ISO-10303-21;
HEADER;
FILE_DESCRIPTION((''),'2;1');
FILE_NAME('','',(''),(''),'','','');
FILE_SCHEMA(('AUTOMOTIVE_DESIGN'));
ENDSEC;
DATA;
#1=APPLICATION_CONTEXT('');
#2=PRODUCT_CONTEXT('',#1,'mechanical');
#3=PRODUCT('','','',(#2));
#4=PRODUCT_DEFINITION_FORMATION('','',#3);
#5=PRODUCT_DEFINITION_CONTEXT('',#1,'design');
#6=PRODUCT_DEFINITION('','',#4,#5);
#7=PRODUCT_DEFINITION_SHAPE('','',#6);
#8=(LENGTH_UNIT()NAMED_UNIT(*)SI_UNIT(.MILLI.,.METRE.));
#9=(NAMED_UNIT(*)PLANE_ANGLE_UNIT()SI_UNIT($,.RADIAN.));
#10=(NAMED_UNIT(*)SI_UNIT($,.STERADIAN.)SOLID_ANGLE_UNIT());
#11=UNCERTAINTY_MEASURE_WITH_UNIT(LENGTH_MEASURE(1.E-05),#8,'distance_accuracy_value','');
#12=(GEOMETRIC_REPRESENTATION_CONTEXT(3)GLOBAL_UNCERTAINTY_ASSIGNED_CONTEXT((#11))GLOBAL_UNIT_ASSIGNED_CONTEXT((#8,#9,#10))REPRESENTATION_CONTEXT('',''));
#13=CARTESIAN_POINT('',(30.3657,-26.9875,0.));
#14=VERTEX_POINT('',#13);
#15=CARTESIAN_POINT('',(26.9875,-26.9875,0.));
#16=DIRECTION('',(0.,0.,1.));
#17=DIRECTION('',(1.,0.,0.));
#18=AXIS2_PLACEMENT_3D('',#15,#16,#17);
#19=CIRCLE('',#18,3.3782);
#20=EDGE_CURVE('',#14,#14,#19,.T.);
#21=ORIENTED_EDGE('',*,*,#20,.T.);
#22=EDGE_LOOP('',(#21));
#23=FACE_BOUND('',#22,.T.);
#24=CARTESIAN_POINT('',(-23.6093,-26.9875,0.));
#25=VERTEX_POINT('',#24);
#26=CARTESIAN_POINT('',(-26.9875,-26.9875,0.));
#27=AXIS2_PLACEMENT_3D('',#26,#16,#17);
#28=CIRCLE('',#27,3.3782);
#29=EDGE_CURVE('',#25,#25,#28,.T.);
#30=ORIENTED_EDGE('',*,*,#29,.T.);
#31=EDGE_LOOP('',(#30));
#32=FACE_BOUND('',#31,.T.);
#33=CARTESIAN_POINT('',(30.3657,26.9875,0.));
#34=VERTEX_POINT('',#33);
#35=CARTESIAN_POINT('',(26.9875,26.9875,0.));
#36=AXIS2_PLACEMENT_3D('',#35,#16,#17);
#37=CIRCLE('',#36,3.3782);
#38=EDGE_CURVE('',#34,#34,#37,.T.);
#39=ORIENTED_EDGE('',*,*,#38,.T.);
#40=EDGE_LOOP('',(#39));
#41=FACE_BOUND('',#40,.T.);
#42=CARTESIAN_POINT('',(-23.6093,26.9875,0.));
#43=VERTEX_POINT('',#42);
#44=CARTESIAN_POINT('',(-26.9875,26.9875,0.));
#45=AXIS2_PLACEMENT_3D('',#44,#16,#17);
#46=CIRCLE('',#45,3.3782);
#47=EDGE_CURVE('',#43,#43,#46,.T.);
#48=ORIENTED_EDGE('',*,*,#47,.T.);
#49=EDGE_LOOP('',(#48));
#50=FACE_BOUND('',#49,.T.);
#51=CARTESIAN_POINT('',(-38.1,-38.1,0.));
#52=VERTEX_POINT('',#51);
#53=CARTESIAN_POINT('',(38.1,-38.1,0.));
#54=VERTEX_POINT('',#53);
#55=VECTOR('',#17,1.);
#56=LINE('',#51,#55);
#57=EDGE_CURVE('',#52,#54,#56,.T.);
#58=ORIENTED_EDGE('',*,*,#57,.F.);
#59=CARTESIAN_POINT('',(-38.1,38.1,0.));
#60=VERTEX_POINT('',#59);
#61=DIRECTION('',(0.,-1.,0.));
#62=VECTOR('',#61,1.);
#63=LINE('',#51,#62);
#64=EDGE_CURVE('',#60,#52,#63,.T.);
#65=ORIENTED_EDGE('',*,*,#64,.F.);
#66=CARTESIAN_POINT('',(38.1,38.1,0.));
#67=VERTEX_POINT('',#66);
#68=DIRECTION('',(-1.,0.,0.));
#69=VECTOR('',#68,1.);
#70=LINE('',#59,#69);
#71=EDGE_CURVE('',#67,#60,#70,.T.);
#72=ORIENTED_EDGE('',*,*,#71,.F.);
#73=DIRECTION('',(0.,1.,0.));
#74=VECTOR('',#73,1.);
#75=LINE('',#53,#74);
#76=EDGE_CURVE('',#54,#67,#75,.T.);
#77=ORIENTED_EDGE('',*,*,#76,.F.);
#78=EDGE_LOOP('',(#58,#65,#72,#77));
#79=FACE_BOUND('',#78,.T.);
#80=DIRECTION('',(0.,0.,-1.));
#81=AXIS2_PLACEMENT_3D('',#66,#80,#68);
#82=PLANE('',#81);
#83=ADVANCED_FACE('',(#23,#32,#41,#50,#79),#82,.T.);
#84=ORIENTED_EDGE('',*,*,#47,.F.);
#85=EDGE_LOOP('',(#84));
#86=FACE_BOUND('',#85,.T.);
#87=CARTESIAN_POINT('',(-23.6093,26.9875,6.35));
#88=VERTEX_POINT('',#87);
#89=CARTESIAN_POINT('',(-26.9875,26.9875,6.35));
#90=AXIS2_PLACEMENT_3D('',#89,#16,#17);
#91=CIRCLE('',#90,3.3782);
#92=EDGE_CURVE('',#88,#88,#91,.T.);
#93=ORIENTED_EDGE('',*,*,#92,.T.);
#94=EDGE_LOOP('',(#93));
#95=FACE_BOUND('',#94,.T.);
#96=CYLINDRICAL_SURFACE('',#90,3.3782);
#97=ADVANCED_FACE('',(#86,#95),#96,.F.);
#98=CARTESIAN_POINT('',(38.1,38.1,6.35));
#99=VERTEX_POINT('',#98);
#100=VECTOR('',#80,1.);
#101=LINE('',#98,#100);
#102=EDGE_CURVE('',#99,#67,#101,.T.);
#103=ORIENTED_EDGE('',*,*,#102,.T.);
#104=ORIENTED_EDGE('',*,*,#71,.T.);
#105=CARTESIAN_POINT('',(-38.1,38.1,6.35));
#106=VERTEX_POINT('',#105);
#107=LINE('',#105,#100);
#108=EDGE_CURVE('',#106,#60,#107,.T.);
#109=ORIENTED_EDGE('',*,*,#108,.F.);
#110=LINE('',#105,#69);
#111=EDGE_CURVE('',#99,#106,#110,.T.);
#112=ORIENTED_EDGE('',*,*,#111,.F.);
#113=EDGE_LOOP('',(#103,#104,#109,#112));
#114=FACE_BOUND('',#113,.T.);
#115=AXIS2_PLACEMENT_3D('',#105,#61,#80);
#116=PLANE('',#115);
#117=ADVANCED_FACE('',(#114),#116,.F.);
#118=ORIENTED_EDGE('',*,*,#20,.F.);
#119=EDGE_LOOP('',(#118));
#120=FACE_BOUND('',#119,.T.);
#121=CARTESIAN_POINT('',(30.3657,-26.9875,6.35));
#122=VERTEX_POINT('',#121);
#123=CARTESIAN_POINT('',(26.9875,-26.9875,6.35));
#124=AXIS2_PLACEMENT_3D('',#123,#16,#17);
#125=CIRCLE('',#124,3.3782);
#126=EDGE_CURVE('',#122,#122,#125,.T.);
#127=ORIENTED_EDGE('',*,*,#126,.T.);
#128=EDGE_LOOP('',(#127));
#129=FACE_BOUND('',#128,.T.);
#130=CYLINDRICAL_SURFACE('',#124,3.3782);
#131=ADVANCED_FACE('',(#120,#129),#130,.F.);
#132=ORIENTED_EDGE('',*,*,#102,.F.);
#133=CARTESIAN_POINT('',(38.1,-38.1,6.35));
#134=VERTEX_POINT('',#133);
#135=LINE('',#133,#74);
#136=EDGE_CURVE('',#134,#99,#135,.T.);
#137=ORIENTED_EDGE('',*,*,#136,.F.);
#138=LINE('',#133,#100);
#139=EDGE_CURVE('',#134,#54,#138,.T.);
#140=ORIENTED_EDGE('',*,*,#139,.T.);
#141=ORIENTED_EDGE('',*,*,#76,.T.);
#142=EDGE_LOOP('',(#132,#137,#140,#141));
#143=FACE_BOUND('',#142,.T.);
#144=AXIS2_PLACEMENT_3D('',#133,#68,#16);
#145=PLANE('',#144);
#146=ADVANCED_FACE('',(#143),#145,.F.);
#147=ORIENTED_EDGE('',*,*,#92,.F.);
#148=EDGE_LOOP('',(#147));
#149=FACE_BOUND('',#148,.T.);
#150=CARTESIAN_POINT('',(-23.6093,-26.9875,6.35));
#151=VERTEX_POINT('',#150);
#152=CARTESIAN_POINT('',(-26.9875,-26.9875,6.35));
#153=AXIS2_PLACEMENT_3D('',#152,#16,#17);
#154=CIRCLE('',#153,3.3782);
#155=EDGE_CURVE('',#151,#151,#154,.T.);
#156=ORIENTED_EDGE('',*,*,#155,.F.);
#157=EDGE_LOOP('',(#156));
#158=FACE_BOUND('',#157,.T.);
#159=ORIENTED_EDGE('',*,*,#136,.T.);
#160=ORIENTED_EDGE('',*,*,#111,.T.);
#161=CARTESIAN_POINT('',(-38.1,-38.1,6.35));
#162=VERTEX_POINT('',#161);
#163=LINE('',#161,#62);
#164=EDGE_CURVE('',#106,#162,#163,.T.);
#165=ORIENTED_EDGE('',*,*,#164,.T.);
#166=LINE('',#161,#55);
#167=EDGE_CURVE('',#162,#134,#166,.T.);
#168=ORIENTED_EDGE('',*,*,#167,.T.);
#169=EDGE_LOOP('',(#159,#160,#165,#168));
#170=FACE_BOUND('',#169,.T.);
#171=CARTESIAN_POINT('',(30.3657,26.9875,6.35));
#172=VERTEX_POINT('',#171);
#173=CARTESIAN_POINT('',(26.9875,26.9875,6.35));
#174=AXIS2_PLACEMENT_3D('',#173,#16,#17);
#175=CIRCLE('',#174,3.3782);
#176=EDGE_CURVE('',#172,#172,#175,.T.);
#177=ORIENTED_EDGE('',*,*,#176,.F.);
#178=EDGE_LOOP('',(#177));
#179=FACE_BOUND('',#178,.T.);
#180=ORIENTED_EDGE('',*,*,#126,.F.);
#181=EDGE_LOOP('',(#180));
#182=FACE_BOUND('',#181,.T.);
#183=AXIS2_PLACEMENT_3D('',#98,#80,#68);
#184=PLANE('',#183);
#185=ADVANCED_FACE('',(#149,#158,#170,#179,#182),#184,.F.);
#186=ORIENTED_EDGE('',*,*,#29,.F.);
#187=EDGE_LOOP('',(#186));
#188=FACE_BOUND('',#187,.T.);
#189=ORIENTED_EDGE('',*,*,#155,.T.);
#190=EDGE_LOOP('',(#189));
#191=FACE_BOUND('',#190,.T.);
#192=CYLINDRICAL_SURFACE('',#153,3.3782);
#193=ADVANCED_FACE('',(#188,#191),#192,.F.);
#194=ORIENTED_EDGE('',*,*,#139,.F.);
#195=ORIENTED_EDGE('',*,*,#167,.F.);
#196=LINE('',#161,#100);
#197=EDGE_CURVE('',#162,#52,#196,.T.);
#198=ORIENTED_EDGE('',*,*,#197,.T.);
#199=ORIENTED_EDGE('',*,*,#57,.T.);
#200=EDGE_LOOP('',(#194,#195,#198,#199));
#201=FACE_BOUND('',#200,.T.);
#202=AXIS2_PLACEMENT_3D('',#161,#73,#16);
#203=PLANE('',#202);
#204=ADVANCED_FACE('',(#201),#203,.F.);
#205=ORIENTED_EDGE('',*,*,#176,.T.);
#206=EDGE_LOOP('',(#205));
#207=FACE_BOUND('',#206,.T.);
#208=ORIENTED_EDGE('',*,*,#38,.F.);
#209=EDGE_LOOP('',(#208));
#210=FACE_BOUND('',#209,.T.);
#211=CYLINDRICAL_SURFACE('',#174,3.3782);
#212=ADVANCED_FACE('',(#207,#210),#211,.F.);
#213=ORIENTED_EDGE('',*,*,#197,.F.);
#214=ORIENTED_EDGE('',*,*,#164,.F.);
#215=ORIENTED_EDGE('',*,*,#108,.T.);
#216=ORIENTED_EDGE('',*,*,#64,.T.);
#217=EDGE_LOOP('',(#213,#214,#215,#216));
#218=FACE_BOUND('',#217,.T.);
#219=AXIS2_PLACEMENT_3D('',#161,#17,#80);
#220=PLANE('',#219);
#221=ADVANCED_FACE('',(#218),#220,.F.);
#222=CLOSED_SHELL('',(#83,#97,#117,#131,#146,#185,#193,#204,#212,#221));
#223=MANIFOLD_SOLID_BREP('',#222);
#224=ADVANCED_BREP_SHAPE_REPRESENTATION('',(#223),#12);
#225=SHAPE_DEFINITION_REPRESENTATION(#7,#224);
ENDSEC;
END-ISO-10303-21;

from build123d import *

# Parameters (mm, degrees)
SKETCH1_W               = 76.2
SKETCH1_H               = 76.2
EXTRUDE1_DEPTH          = 6.35
F_1_4_CLEARANCE_HOLE1_D = 6.7564


with BuildPart() as part:
    # Sketch1 → Extrude1 (new body)
    with BuildSketch(Plane.XY):
        Rectangle(SKETCH1_W, SKETCH1_H)
    extrude(amount=EXTRUDE1_DEPTH)

    # 1/4 Clearance Hole1 (through all)
    with Locations(Plane.XY.offset(6.35)):
        with Locations((-26.9875, 26.9875), (26.9875, 26.9875), (26.9875, -26.9875), (-26.9875, -26.9875)):
            Hole(F_1_4_CLEARANCE_HOLE1_D / 2)


solid = part.part
